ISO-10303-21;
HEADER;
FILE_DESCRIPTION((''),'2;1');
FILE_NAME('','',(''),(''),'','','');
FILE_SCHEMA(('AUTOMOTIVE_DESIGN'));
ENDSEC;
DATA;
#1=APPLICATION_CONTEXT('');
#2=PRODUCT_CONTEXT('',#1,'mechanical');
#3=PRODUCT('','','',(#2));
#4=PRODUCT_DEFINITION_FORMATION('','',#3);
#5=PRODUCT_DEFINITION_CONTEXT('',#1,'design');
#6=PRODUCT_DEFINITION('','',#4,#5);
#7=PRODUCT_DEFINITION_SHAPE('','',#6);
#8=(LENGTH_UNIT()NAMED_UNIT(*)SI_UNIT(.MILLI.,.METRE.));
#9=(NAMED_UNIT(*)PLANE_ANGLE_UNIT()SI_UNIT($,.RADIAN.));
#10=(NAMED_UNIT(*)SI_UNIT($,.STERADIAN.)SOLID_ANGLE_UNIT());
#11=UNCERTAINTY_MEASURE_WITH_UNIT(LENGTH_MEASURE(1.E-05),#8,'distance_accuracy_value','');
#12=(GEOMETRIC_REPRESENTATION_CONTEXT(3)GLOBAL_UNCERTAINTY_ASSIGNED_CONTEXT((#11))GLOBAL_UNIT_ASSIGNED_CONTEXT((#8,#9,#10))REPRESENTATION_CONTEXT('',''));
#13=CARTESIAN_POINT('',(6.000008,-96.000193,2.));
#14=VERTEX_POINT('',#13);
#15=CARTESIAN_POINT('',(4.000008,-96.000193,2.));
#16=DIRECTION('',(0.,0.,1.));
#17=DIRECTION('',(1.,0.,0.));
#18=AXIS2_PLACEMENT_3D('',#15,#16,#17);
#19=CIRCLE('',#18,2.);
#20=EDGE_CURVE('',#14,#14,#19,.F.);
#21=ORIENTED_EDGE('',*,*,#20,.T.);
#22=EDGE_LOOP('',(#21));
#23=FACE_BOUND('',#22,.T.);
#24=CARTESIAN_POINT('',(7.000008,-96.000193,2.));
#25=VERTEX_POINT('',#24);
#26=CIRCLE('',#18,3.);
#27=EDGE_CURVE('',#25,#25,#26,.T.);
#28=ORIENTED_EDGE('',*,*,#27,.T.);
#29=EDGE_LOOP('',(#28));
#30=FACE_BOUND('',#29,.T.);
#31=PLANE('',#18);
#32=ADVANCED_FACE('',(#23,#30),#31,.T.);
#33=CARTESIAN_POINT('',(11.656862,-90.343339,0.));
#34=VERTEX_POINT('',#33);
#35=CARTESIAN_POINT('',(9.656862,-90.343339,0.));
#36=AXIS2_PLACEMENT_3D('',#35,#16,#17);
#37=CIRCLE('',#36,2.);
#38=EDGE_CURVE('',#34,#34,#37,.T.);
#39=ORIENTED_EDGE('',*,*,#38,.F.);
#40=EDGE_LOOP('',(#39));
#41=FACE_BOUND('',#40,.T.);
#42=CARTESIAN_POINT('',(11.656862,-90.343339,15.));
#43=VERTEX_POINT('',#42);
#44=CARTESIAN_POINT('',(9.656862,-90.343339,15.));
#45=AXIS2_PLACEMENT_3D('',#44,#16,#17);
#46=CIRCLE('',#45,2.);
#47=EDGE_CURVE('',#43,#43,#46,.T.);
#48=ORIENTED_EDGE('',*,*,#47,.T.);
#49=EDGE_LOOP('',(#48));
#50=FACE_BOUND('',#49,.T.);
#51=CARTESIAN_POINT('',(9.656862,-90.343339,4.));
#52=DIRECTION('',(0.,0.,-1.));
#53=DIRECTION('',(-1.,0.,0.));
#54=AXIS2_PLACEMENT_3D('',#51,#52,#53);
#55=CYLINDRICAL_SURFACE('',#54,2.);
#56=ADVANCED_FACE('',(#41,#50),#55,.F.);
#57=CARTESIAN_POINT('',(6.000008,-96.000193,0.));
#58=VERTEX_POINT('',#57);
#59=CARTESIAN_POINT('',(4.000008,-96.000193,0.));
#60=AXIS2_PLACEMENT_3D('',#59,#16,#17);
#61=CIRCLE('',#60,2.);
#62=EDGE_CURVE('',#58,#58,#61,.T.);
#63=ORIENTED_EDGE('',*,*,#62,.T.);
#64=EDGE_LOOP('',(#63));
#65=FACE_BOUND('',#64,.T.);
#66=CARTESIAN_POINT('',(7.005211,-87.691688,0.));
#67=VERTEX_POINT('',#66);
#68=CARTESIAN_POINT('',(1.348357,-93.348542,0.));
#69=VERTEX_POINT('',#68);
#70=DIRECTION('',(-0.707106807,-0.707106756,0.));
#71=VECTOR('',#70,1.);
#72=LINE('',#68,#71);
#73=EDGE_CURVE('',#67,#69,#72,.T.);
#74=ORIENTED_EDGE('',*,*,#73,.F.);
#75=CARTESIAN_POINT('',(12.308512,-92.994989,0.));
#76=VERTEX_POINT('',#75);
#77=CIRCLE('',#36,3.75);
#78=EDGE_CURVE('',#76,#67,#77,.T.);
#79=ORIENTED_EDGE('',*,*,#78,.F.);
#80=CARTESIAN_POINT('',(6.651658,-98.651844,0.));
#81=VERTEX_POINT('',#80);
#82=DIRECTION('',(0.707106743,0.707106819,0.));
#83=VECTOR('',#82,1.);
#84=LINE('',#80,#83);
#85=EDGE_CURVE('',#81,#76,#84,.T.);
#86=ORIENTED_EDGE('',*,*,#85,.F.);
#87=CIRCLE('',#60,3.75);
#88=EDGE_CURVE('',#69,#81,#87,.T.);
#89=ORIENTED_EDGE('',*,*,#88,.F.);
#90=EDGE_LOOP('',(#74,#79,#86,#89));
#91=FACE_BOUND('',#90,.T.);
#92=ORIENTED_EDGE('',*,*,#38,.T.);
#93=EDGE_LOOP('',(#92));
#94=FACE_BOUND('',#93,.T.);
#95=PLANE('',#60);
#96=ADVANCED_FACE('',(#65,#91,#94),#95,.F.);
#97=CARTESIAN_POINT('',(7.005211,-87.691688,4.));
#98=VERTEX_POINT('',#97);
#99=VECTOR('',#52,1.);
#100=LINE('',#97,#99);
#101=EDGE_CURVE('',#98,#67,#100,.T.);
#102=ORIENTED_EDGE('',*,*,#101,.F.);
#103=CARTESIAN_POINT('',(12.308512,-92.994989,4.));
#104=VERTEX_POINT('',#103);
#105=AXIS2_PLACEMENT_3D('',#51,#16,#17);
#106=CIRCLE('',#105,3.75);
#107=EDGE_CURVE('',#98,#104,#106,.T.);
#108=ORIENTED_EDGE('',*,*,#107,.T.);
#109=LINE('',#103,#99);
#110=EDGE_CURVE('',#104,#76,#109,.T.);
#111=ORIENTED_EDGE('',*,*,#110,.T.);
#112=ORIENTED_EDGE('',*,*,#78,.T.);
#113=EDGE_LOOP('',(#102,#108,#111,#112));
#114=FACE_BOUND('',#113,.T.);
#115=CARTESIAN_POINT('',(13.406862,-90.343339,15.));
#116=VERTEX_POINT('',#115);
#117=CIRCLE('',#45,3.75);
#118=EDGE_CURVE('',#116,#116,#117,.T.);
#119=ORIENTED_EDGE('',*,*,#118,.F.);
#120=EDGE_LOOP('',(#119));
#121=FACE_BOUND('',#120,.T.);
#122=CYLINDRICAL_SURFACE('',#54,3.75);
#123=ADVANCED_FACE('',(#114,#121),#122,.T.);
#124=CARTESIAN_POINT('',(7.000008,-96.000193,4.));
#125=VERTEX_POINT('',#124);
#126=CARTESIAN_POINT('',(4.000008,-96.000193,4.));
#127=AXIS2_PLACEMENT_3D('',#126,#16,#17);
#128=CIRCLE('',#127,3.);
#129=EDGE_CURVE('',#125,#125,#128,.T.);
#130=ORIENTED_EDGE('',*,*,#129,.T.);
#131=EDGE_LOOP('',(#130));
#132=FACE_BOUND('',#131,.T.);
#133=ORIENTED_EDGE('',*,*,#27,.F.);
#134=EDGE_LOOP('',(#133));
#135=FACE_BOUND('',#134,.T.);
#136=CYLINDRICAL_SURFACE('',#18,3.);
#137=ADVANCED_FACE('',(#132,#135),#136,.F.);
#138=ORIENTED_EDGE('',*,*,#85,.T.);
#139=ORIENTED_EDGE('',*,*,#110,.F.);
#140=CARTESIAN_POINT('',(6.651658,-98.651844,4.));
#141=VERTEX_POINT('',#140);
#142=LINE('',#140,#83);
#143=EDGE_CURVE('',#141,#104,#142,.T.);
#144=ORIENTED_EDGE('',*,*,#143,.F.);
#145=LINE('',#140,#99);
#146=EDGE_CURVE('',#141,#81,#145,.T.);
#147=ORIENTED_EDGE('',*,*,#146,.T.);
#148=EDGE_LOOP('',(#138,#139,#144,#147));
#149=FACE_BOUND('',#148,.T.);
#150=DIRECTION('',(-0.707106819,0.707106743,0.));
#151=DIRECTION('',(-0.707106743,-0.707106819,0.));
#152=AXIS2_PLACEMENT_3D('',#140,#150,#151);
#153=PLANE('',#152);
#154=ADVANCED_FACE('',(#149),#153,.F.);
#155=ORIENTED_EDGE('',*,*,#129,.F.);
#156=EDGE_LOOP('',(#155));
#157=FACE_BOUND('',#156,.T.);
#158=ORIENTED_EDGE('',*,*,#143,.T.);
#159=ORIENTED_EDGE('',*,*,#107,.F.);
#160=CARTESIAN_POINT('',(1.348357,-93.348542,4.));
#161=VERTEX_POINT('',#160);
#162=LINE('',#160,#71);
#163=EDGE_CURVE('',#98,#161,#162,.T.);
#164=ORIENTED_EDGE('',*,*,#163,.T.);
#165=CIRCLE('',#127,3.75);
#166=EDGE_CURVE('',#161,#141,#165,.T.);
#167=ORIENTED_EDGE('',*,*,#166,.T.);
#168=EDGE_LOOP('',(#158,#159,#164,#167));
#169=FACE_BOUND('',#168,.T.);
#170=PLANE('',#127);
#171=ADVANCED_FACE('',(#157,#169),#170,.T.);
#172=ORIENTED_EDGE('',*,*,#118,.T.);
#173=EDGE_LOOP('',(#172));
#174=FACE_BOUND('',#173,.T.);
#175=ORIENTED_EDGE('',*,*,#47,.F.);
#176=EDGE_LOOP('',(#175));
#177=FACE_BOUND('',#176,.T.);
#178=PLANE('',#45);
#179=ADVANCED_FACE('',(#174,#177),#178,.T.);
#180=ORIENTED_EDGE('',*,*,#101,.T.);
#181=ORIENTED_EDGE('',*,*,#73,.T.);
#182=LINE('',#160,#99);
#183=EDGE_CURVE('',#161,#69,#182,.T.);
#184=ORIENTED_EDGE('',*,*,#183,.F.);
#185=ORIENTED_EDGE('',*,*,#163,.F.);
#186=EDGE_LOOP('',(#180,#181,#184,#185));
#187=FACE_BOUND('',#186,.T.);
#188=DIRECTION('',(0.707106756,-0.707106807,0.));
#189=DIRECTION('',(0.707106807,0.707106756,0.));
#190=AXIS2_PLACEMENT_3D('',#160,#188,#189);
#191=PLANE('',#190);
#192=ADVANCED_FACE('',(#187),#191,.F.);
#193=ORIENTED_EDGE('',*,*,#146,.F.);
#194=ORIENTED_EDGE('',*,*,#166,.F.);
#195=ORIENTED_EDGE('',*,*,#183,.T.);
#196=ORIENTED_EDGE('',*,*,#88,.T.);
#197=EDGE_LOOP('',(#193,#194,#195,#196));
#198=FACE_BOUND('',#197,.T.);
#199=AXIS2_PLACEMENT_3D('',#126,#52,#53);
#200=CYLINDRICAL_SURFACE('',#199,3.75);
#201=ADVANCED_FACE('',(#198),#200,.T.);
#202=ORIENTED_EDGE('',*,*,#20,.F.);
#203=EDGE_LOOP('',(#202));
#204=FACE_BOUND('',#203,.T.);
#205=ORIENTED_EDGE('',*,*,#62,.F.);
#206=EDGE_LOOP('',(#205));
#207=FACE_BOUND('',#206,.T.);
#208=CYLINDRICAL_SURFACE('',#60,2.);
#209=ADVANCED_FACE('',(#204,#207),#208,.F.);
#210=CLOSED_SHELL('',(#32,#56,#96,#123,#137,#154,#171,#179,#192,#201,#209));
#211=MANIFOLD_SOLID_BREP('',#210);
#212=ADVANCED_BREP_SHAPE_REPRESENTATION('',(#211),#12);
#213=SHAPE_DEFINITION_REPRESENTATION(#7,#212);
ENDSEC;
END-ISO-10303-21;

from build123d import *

# Parameters (mm, degrees)
SKETCH2_R           = 2
BOSS_EXTRUDE1_DEPTH = 4
SKETCH3_R           = 2
CUT_EXTRUDE1_DEPTH  = 4
SKETCH4_R           = 3
CUT_EXTRUDE2_DEPTH  = 2
SKETCH5_R           = 3.75
SKETCH5_R_2         = 2
BOSS_EXTRUDE2_DEPTH = 11


with BuildPart() as part:
    # Sketch2 → Boss-Extrude1 (new body)
    with BuildSketch(Plane.XY):
        with BuildLine():
            Line((1.348357032, -93.348542262), (7.005211484, -87.691688216))
            ThreePointArc((7.005211484, -87.691688216), (12.308512224, -87.691688287), (12.308512391, -92.994989027))
            Line((12.308512391, -92.994989027), (6.651658446, -98.651843581))
            ThreePointArc((6.651658446, -98.651843581), (1.348356961, -98.651843747), (1.348357032, -93.348542262))
        make_face()
        with Locations((9.656861819, -90.34333874)):
            Circle(SKETCH2_R, mode=Mode.SUBTRACT)
    extrude(amount=BOSS_EXTRUDE1_DEPTH)

    # Sketch3 → Cut-Extrude1 (cut)
    with BuildSketch(Plane.XY.offset(4)):
        with Locations((4.00000762, -96.00019304)):
            Circle(SKETCH3_R)
    extrude(amount=-CUT_EXTRUDE1_DEPTH, mode=Mode.SUBTRACT)

    # Sketch4 → Cut-Extrude2 (cut)
    with BuildSketch(Plane.XY.offset(4)):
        with Locations((4.00000762, -96.00019304)):
            Circle(SKETCH4_R)
    extrude(amount=-CUT_EXTRUDE2_DEPTH, mode=Mode.SUBTRACT)

    # Sketch5 → Boss-Extrude2 (add)
    with BuildSketch(Plane.XY.offset(4)):
        with Locations((9.656861819, -90.34333874)):
            Circle(SKETCH5_R)
        with Locations((9.656861819, -90.34333874)):
            Circle(SKETCH5_R_2, mode=Mode.SUBTRACT)
    extrude(amount=BOSS_EXTRUDE2_DEPTH)


solid = part.part
